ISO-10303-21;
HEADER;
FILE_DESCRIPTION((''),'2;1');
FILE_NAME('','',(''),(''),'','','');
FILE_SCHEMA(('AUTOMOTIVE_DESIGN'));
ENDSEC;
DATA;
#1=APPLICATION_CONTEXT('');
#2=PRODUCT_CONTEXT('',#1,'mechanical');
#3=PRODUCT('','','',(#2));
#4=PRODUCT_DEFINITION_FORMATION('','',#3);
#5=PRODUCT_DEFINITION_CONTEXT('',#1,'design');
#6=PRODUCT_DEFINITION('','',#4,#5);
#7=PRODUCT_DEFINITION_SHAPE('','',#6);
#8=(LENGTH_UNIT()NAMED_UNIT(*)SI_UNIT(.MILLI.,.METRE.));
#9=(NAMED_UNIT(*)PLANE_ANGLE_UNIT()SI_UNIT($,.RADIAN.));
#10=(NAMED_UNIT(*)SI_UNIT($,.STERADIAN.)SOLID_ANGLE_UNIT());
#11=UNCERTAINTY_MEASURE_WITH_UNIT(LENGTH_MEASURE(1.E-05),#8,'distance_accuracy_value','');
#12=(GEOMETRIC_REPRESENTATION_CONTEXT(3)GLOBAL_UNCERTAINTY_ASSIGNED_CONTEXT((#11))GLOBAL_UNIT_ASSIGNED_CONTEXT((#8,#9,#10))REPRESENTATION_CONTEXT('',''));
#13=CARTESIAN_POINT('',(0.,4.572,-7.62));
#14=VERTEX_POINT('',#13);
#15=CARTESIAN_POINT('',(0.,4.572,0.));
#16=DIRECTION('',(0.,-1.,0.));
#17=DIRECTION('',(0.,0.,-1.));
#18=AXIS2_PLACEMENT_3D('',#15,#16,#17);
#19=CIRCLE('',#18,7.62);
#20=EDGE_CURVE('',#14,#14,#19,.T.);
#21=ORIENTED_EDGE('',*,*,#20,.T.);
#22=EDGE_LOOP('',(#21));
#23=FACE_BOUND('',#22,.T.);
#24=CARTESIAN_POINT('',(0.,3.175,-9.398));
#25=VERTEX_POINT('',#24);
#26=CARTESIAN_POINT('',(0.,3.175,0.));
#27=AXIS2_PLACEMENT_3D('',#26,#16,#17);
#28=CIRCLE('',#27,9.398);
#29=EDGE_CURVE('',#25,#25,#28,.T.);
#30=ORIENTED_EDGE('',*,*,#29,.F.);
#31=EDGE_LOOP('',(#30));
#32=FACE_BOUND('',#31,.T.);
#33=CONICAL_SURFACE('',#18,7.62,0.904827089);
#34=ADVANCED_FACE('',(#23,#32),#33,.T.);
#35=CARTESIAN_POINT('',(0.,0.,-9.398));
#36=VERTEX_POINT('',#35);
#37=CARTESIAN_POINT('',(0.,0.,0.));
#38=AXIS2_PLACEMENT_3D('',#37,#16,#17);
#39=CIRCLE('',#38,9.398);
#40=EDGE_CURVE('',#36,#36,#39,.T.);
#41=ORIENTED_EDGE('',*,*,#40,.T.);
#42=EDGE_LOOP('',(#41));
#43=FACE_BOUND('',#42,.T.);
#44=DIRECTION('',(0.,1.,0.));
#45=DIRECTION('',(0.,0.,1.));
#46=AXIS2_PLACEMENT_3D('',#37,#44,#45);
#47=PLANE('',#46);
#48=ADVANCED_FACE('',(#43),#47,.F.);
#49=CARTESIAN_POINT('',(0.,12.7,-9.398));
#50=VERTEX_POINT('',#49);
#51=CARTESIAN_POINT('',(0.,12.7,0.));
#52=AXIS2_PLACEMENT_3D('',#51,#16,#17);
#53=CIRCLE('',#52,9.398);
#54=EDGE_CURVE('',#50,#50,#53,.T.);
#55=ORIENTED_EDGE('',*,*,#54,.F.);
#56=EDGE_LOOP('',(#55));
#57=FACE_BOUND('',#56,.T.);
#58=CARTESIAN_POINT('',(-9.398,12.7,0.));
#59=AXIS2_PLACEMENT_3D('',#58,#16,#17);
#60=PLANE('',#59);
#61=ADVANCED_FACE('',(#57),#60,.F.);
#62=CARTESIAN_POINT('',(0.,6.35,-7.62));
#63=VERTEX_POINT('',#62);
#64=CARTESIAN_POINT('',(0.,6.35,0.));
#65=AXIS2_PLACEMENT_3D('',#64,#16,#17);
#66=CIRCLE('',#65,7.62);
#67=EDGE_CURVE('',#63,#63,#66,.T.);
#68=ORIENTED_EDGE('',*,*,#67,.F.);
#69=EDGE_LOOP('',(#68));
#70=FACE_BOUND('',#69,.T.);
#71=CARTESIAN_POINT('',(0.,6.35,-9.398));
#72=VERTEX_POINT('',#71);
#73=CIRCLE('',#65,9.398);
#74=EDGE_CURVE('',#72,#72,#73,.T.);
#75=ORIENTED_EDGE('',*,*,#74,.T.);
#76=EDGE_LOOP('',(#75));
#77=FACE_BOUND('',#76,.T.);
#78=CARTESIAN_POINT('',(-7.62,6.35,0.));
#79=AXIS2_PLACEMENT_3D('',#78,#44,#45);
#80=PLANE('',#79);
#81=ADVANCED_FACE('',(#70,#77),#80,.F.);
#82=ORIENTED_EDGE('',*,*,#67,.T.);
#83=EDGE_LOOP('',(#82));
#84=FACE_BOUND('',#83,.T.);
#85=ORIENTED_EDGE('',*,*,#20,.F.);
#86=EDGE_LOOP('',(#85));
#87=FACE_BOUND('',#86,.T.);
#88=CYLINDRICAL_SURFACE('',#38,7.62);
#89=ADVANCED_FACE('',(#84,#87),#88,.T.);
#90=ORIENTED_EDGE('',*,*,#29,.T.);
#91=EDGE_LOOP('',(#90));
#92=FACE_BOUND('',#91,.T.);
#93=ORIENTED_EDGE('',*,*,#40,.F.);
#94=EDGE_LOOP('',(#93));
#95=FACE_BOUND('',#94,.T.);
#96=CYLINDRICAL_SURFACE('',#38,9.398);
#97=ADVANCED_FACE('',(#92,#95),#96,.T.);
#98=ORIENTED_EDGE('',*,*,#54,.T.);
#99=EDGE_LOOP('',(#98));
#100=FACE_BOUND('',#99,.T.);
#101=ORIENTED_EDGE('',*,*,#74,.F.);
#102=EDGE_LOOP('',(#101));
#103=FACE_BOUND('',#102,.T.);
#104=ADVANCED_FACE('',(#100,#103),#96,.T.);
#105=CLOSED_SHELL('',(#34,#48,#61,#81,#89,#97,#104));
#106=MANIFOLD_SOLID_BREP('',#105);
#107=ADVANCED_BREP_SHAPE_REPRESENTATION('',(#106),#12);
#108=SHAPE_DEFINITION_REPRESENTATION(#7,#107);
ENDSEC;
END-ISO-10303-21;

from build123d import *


with BuildPart() as part:
    # Sketch1 → Revolve1 (revolve)
    with BuildSketch(Plane.XY):
        Polygon((0, 0), (-9.398, 0), (-9.398, 3.175), (-7.62, 4.572), (-7.62, 6.35), (-9.398, 6.35), (-9.398, 12.7), (0, 12.7), align=None)
    revolve(axis=Axis((0, 0, 0), (0, 1, 0)))


solid = part.part
